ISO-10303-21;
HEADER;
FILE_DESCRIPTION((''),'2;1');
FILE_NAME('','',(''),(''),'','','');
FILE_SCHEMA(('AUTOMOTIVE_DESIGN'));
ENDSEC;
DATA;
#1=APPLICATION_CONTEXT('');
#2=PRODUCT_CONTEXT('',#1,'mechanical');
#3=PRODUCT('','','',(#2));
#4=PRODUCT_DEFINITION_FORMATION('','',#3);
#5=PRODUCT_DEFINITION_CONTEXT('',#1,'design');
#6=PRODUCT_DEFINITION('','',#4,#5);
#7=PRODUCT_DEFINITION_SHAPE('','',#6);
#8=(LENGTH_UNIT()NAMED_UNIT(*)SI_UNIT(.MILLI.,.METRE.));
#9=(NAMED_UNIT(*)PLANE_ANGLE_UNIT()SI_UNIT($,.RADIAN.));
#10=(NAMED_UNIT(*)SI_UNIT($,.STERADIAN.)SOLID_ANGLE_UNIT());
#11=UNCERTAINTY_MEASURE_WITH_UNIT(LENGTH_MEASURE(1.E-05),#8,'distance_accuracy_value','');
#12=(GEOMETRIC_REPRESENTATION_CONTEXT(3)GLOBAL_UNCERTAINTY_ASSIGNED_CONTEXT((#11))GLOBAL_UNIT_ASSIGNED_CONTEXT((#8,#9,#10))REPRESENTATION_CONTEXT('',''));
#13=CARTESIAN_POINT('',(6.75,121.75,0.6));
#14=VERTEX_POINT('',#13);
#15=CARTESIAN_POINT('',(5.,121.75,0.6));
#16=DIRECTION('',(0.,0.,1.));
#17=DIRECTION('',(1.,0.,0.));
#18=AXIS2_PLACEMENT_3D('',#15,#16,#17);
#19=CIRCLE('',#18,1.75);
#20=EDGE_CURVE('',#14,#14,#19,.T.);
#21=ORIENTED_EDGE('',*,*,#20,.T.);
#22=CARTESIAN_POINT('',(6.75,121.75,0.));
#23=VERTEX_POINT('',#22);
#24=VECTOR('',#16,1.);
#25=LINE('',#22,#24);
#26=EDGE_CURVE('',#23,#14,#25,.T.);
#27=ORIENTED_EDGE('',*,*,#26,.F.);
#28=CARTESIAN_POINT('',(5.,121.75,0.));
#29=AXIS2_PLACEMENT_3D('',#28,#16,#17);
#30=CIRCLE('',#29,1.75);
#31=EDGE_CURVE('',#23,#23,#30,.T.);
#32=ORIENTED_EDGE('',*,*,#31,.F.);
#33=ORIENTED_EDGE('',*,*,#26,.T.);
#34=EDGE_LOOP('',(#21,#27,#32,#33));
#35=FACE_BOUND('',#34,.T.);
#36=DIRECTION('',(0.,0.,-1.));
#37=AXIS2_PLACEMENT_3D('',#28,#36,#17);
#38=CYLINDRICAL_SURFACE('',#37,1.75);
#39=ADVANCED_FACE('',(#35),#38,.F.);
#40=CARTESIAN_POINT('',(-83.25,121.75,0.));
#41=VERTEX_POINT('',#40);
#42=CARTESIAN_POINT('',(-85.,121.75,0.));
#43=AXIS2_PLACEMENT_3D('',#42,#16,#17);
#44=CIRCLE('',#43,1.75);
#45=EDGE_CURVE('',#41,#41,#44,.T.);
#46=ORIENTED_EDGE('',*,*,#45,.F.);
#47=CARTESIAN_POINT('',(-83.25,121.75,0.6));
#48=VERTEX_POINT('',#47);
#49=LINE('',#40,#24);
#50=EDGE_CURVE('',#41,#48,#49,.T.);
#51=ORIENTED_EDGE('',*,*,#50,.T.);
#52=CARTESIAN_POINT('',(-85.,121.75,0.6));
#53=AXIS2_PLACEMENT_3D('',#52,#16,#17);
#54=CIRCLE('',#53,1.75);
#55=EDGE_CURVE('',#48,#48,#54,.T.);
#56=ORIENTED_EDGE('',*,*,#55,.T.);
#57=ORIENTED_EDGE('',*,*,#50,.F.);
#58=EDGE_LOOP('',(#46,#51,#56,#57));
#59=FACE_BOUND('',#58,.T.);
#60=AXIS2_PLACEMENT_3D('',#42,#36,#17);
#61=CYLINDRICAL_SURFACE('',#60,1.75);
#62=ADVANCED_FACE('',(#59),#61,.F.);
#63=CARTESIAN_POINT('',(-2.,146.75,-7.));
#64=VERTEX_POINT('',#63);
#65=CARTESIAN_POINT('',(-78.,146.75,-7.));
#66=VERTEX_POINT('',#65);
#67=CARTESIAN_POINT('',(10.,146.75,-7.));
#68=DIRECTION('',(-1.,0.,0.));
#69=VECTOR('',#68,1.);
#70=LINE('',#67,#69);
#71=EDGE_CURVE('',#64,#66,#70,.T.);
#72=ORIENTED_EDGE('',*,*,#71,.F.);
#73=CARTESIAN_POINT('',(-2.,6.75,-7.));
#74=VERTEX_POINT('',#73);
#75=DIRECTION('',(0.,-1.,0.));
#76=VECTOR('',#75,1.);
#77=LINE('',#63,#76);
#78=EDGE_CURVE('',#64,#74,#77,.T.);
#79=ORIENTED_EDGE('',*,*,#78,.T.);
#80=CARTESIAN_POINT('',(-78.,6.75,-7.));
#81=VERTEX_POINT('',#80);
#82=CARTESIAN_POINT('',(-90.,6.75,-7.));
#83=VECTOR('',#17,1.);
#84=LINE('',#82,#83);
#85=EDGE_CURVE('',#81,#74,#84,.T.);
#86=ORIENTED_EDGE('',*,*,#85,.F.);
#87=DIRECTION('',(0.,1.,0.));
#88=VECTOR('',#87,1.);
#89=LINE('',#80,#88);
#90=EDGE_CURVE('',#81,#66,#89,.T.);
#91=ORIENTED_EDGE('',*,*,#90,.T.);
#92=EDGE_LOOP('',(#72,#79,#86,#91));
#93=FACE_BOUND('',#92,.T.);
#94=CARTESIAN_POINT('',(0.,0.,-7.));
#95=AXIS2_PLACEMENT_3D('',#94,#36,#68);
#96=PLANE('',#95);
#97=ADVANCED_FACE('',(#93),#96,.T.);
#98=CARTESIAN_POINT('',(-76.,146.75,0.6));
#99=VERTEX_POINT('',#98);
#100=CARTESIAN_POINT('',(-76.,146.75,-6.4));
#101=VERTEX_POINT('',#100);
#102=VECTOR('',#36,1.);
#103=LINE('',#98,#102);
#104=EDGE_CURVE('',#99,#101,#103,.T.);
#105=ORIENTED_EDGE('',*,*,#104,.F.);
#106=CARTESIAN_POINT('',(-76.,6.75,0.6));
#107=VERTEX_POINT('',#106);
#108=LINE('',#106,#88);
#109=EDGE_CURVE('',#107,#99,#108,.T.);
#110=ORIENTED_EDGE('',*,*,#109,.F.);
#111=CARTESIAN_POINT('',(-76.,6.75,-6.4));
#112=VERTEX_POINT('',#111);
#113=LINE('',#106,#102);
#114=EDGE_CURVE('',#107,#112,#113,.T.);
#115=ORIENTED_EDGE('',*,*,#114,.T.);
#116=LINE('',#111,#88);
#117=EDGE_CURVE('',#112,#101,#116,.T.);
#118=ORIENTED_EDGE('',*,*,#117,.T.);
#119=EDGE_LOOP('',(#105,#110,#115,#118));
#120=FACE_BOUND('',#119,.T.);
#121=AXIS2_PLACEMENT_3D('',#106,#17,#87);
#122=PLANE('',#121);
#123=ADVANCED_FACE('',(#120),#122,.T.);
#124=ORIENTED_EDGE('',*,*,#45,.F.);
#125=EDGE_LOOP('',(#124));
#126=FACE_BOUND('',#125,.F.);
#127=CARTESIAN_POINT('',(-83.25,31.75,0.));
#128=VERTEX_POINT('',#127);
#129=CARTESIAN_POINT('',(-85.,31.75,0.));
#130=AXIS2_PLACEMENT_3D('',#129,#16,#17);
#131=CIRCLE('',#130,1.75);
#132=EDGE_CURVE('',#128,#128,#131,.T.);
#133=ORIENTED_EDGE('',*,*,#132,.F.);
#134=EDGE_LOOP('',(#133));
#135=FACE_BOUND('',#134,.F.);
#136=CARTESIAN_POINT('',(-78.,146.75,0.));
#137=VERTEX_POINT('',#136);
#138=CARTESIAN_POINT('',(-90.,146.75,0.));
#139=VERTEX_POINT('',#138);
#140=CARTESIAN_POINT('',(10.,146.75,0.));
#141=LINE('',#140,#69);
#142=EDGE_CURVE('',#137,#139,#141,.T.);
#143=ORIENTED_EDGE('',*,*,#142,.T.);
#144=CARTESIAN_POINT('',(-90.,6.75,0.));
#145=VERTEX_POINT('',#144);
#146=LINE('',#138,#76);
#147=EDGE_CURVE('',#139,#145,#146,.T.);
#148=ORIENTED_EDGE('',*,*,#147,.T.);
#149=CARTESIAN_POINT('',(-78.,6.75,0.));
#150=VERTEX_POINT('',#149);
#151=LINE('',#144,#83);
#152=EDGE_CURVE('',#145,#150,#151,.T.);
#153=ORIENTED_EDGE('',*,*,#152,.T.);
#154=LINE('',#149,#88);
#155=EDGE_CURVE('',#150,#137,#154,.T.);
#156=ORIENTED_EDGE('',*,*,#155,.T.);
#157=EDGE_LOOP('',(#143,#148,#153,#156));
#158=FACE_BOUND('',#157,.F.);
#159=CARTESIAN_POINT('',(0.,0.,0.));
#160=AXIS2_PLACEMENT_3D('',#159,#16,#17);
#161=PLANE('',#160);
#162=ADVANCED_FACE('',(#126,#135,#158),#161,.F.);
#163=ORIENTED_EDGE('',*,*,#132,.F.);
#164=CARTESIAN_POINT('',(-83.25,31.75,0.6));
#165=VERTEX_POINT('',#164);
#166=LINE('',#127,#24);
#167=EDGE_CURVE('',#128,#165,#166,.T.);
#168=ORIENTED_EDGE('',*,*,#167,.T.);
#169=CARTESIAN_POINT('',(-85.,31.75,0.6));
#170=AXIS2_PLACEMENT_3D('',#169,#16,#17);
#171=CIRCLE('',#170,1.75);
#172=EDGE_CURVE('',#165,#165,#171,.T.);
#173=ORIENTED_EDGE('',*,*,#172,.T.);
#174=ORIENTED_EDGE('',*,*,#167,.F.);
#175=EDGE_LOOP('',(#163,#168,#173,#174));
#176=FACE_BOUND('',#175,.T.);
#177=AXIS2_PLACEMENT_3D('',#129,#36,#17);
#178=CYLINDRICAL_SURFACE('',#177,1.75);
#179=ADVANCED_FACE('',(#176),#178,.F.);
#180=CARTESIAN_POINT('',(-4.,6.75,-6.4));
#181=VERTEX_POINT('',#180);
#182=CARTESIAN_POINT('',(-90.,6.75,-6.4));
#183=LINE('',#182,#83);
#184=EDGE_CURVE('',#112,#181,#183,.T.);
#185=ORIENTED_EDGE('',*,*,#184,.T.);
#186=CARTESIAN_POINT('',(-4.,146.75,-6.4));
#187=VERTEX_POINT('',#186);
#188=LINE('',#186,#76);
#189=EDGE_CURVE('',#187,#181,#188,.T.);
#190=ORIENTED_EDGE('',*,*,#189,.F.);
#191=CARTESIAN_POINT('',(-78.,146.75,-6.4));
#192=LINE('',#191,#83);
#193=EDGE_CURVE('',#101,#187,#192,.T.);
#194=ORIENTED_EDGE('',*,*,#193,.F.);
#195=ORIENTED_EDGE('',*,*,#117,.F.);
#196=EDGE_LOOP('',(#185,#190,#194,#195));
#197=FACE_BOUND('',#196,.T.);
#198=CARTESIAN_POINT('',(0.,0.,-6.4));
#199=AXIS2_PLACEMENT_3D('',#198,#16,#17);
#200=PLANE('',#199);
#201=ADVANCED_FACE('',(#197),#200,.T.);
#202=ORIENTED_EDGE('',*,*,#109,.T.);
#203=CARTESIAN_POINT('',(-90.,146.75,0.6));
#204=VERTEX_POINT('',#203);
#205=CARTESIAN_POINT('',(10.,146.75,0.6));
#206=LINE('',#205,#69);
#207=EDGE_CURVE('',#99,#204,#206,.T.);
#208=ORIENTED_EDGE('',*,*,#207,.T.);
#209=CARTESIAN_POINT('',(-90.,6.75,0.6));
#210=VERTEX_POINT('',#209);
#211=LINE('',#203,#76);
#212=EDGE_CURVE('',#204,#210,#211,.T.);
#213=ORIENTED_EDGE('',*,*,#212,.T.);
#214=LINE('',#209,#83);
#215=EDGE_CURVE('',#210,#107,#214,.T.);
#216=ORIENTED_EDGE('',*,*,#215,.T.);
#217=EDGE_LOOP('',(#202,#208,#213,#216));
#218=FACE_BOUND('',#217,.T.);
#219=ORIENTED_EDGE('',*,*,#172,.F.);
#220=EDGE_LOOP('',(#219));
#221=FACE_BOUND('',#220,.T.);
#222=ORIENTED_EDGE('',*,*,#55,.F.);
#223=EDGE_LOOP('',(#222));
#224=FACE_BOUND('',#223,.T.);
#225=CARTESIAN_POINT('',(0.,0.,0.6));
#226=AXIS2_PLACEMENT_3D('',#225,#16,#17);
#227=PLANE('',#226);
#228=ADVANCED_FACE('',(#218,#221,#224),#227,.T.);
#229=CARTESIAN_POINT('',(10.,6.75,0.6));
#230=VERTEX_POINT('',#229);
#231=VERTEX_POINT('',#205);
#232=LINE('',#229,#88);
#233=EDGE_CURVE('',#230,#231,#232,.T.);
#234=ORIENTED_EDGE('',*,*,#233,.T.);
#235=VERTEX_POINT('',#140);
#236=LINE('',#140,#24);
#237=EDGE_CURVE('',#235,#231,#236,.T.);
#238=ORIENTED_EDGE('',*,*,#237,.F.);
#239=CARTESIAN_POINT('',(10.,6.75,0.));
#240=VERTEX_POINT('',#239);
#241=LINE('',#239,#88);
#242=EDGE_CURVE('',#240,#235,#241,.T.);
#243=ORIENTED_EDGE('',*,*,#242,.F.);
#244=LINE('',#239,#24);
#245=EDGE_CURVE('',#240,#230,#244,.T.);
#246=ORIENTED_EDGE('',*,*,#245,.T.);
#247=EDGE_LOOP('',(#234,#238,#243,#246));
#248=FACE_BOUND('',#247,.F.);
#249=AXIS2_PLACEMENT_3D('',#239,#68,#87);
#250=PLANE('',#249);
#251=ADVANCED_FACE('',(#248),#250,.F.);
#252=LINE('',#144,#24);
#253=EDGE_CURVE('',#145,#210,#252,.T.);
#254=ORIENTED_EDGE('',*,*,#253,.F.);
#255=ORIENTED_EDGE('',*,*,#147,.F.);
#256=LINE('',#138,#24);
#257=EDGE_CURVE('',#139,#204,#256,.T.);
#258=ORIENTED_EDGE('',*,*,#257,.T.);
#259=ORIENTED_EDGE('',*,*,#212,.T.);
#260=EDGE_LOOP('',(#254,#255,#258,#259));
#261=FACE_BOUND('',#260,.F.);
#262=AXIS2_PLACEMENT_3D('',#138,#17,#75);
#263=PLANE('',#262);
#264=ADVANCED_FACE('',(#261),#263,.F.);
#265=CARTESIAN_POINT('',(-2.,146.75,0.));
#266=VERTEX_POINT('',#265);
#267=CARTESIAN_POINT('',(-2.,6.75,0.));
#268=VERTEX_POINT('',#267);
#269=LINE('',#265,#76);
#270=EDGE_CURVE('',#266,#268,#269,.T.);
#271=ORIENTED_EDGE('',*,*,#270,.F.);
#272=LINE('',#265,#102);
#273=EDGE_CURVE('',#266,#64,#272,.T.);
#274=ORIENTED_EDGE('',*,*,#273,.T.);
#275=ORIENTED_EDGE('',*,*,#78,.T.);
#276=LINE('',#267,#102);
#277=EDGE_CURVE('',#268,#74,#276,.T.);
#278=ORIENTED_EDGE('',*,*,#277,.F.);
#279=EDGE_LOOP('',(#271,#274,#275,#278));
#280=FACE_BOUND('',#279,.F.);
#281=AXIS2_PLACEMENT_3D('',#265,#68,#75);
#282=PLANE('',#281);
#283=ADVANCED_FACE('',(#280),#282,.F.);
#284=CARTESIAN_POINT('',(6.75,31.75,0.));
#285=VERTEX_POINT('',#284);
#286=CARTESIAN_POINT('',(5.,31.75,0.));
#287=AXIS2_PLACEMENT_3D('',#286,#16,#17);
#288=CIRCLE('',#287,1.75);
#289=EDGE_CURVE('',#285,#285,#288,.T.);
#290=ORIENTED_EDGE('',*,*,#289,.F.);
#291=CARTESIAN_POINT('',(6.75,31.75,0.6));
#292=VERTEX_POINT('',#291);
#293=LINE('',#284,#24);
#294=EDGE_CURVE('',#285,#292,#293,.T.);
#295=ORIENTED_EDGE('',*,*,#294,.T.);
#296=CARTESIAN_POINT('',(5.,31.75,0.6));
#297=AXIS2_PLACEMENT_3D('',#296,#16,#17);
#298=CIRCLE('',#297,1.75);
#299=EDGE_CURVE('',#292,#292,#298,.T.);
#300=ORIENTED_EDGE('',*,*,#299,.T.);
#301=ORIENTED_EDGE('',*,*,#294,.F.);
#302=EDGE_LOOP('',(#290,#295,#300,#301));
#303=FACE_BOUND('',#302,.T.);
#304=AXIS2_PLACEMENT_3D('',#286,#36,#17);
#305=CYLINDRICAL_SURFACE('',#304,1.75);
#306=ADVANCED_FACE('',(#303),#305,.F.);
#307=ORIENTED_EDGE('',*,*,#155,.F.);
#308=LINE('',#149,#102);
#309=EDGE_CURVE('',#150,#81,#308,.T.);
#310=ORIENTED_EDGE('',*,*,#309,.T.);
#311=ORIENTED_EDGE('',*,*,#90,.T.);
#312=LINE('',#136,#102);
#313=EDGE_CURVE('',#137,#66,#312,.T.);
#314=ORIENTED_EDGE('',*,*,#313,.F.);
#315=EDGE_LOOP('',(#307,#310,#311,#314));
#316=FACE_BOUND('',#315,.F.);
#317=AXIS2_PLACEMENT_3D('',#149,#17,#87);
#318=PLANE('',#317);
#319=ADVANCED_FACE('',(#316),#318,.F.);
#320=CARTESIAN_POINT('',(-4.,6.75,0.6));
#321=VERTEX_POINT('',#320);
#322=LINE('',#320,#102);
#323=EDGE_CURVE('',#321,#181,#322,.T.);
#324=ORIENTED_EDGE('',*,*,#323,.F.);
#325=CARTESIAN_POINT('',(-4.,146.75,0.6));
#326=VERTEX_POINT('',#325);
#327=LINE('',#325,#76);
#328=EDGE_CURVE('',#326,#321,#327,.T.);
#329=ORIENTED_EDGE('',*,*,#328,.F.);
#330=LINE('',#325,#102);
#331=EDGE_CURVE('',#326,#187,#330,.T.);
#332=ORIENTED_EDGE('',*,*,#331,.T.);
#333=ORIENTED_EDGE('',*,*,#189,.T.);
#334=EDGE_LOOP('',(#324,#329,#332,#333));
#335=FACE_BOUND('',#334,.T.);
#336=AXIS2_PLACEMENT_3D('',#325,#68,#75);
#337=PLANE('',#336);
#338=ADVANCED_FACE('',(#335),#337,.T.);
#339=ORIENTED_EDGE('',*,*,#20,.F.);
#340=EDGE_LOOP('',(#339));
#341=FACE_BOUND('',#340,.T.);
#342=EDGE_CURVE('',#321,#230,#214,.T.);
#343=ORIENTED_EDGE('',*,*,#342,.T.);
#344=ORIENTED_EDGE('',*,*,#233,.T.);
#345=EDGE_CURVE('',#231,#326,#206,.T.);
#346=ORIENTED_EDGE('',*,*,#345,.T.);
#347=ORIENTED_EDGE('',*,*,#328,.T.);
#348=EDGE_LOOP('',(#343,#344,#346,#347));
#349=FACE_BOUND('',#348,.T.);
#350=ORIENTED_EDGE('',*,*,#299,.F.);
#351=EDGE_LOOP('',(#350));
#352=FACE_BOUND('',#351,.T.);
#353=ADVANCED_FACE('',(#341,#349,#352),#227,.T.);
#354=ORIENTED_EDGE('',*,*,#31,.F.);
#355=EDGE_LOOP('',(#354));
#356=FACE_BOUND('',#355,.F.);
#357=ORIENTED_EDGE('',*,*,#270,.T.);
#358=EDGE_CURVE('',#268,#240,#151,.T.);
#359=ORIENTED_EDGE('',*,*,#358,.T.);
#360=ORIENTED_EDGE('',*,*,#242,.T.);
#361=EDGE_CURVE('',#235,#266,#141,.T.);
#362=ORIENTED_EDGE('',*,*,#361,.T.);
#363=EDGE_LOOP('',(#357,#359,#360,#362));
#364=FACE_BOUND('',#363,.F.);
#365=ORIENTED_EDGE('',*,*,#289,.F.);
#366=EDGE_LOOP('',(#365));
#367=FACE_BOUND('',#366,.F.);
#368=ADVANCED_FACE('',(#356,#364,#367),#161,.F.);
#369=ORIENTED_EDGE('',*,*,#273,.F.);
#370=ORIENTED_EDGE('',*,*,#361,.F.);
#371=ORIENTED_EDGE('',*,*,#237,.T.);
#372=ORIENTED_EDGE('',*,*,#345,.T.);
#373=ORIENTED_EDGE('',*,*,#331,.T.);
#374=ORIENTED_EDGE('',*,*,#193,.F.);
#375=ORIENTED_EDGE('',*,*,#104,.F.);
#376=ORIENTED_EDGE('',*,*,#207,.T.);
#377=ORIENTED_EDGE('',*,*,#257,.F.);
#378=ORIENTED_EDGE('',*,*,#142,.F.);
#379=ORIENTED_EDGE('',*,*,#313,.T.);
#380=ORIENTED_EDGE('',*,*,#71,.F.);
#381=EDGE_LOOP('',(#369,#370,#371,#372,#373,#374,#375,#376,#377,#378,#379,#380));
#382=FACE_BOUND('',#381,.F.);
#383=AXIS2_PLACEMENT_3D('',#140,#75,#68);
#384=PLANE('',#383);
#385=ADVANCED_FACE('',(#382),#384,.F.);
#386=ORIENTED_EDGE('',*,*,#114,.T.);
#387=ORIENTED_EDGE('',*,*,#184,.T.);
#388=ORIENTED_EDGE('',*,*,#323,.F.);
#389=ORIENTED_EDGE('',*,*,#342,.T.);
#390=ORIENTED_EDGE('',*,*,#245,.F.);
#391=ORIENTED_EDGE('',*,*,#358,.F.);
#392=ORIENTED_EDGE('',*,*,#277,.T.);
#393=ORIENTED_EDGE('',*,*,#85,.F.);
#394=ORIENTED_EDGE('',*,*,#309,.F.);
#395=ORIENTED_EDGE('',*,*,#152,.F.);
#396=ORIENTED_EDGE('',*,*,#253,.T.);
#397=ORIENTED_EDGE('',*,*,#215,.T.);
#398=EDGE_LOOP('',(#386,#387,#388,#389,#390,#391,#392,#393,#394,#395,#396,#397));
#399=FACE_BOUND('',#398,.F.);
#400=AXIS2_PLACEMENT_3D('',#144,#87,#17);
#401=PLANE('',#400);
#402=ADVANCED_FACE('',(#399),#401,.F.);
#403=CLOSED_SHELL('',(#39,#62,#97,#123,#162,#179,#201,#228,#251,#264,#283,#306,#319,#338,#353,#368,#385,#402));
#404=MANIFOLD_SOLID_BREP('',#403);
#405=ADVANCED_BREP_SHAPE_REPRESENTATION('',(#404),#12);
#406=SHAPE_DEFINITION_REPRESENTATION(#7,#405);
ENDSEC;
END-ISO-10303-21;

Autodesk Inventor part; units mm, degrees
ref_plane "YZ Plane" through (0, 0, 0) normal (1, 0, 0) x (0, 1, 0)
ref_plane "XZ Plane" through (0, 0, 0) normal (0, 1, 0) x (-1, 0, 0)
ref_plane "XY Plane" through (0, 0, 0) normal (0, 0, 1) x (1, 0, 0)
sketch "Skizze1" plane through (0, 0, 0) normal (0, 0, 1) x (1, 0, 0)
  line L0 (-90, 0) -> (-90, 36.75) construction
  line L1 (10, 0) -> (10, 36.75) construction
  line L2 (-90, 116.75) -> (-90, 147.085) construction
  line L3 (10, 147.085) -> (10, 116.75) construction
  circle A0 centre (-85, 121.75) radius 1.75 projected
  circle A1 centre (5, 121.75) radius 1.75 projected
  circle A2 centre (-85, 31.75) radius 1.75 projected
  circle A3 centre (5, 31.75) radius 1.75 projected
  line L4 (-90, 6.75) -> (10, 6.75)
  line L5 (10, 6.75) -> (10, 146.75)
  line L6 (10, 146.75) -> (-90, 146.75)
  line L7 (-90, 146.75) -> (-90, 6.75)
  point P0 (0, 0)
  dimension "d0" = 25
  dimension "d1" = 25
extrude "Extrusion1" add sketch "Skizze1" along normal blind 0.6
sketch "Skizze2" plane through (0, 0, 0) normal (0, 0, -1) x (-1, 0, 0)
  line L0 (90, 6.75) -> (-10, 6.75) projected
  line L1 (-10, 146.75) -> (90, 146.75) projected
  line L2 (2, 6.75) -> (78, 6.75)
  line L3 (78, 6.75) -> (78, 146.75)
  line L4 (78, 146.75) -> (2, 146.75)
  line L5 (2, 146.75) -> (2, 6.75)
  line L6 (-10, 6.75) -> (-10, 146.75) projected
  line L7 (90, 146.75) -> (90, 6.75) projected
  line L8 (78, 146.75) -> (2, 146.75)
  line L9 (2, 146.75) -> (2, 6.75)
  line L10 (2, 6.75) -> (78, 6.75)
  line L11 (78, 6.75) -> (78, 146.75)
  point P0 (0, 0)
  dimension "d4" = 12
  dimension "d5" = 12
extrude "Extrusion3" add sketch "Skizze2" along normal blind 7 contours L0 L5 L1 L3
sketch "Skizze3" plane through (0, 0, 0.6) normal (0, 0, 1) x (1, 0, 0)
  line L0 (-2, 6.75) -> (-78, 6.75) construction
  line L1 (-78, 6.75) -> (-78, 146.75) construction
  line L2 (-78, 146.75) -> (-2, 146.75) construction
  line L3 (-2, 146.75) -> (-2, 6.75) construction
  line L4 (-90, 6.75) -> (10, 6.75) projected
  line L5 (-78, 146.75) -> (-2, 146.75) projected
  line L6 (-4, 6.75) -> (-76, 6.75)
  line L7 (-76, 6.75) -> (-76, 146.75)
  line L8 (-76, 146.75) -> (-4, 146.75)
  line L9 (-4, 146.75) -> (-4, 6.75)
  point P0 (0, 0)
  dimension "d10" = 2
  dimension "d11" = 2
extrude "Extrusion4" cut sketch "Skizze3" against normal blind 7
properties part number "PCB-Mount"
